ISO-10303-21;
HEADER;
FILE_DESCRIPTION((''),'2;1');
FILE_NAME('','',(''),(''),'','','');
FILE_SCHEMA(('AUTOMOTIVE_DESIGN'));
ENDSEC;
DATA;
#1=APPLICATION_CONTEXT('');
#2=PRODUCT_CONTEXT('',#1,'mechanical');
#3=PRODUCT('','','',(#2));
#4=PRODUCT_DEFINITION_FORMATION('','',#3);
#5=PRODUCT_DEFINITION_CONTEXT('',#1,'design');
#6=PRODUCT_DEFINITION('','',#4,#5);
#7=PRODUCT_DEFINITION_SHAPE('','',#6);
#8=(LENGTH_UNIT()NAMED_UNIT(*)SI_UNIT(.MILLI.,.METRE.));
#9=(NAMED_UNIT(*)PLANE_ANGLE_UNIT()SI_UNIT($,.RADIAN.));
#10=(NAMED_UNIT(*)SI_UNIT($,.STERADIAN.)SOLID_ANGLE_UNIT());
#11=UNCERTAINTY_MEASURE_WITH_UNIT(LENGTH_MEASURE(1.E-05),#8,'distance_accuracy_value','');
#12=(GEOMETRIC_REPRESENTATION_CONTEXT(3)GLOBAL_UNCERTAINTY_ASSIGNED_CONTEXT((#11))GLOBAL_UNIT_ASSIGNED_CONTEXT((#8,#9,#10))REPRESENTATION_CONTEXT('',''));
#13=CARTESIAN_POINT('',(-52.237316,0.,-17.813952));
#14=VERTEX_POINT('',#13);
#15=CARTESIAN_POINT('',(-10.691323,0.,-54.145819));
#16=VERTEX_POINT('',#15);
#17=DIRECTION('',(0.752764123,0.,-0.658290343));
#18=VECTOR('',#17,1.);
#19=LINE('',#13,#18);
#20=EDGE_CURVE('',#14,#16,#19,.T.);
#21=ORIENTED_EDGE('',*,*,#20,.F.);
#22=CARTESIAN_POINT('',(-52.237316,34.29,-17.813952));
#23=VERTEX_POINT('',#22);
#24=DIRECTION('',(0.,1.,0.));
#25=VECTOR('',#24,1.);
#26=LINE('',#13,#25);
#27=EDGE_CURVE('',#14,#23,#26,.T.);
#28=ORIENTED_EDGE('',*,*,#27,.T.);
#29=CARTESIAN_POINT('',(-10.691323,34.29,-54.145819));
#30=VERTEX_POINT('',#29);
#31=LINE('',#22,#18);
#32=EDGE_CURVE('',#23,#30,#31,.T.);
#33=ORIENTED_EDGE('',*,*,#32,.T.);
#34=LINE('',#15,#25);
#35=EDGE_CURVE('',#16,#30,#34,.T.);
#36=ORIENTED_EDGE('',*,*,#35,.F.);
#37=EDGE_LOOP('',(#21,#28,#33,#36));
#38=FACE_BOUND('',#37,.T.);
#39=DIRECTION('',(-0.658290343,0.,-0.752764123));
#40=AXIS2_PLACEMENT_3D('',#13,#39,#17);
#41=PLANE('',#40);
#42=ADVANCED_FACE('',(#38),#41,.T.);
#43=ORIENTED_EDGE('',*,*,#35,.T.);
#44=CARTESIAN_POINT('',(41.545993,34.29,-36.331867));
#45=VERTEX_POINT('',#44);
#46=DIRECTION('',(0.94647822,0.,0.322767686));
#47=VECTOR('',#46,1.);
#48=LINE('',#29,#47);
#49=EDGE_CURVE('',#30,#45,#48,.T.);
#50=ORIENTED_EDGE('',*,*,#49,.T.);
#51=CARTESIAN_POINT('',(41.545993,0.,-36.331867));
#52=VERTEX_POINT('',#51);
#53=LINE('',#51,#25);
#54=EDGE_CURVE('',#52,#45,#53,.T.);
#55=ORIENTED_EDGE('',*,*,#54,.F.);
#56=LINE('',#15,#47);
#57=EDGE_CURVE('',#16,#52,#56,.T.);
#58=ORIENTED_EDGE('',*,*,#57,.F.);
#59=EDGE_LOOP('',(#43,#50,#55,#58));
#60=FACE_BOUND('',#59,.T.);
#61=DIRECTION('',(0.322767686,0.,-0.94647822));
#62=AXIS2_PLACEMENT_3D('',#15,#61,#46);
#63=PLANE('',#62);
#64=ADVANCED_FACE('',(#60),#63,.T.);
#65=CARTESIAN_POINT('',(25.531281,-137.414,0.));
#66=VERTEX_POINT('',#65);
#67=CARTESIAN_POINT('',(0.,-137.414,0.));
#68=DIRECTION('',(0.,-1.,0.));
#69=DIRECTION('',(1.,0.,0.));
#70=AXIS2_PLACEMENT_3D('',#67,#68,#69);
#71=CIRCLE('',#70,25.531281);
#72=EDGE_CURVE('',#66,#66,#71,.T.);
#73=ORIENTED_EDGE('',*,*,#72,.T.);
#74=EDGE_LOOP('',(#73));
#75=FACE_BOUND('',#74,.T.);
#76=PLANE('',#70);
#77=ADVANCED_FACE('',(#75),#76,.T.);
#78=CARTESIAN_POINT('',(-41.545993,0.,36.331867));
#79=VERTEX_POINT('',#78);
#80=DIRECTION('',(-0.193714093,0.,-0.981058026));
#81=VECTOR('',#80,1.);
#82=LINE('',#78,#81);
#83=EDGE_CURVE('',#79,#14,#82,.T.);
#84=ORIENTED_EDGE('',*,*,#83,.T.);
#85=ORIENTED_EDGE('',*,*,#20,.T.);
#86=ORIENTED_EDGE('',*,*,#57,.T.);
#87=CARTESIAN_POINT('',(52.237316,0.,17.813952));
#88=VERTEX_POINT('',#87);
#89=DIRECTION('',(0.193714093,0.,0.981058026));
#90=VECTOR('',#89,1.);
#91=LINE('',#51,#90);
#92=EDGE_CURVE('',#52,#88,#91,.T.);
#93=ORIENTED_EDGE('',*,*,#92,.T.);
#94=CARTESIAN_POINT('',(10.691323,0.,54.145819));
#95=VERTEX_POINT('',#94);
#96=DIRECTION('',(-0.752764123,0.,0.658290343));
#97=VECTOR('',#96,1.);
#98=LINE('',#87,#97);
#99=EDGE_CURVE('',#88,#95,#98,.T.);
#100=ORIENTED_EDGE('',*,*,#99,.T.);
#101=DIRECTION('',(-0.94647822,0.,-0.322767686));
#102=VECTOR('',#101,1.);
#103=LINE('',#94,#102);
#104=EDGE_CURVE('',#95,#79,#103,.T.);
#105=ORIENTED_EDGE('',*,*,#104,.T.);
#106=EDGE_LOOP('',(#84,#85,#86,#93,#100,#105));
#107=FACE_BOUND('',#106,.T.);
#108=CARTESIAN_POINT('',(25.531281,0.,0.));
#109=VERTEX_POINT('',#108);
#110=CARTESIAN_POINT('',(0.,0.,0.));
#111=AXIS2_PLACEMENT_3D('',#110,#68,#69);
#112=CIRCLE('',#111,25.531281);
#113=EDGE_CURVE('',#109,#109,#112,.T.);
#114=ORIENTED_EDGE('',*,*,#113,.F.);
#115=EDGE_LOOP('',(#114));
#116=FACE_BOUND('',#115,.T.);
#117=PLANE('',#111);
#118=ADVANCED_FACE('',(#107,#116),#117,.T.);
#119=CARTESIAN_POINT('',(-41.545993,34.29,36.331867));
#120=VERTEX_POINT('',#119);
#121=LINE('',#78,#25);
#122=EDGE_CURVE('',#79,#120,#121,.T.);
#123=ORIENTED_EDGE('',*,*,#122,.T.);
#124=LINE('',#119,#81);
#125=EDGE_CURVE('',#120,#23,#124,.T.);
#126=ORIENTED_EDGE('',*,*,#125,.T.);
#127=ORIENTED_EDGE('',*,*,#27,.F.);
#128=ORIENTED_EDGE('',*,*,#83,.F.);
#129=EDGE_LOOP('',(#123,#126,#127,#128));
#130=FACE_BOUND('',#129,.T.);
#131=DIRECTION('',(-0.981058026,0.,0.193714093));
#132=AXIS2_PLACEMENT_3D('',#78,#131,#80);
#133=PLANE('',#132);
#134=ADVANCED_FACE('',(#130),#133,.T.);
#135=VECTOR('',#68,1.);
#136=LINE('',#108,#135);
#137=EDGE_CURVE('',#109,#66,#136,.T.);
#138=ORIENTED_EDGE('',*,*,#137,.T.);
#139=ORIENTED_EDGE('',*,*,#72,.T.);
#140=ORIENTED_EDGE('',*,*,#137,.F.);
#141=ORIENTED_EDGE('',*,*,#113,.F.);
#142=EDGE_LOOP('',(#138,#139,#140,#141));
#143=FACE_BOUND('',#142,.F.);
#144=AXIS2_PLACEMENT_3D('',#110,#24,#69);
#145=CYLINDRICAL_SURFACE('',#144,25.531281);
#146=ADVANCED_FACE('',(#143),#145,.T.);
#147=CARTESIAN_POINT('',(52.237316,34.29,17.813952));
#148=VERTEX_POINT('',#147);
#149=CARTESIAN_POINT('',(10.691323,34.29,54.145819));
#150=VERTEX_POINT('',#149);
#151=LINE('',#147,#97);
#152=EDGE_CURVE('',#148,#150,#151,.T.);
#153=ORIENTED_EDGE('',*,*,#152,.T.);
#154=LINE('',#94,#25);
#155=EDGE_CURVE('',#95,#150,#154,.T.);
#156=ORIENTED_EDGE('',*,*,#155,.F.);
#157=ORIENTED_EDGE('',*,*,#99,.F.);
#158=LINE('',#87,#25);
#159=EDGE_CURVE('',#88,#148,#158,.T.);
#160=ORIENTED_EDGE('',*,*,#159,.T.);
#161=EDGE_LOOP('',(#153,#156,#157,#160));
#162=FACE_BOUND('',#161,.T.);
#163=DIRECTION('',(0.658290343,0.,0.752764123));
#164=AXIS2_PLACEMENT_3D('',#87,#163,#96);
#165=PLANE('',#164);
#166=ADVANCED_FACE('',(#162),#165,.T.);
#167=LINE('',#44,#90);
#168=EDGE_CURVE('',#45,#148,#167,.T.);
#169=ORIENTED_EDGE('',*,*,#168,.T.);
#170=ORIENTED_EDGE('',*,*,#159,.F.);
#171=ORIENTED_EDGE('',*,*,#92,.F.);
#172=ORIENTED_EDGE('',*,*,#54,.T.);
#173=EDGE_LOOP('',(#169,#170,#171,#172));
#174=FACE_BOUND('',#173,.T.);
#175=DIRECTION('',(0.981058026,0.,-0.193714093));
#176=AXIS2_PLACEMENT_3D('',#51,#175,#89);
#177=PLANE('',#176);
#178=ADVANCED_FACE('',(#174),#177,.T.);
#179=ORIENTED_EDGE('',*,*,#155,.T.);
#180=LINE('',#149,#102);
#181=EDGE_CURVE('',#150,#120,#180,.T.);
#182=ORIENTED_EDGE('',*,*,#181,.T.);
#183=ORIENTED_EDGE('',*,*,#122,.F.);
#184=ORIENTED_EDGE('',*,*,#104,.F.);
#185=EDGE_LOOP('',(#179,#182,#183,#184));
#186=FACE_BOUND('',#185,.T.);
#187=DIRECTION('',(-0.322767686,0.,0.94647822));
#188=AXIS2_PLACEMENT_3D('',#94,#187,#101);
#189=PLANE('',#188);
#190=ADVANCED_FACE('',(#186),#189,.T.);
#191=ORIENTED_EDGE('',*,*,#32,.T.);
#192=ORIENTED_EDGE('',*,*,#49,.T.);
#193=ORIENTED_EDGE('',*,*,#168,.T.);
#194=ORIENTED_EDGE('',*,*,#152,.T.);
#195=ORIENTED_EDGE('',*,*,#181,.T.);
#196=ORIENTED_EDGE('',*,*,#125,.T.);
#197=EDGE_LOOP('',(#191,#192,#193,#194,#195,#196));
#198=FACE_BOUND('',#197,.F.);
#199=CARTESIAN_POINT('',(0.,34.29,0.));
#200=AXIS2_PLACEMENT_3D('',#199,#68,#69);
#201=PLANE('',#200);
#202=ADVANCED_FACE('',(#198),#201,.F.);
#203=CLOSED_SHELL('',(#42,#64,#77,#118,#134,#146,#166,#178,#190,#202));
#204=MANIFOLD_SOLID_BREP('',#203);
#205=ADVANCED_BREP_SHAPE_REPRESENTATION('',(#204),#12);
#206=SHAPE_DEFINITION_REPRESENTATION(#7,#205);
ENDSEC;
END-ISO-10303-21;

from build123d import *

# Parameters (mm, degrees)
F1_DEPTH = 34.29
F2_R     = 25.531281
F3_DEPTH = 137.414
F4_R     = 11.71201
F5_DEPTH = 168.402


with BuildPart() as f1:
    # F0 (on Front) → F1 (new body)
    with BuildSketch(Plane.XZ):
        Polygon((52.237316, 17.813952), (10.691323, 54.145819), (-41.545993, 36.331867), (-52.237316, -17.813952), (-10.691323, -54.145819), (41.545993, -36.331867), align=None)
    extrude(amount=-F1_DEPTH)

    # F2 (on face) → F3 (join)
    with BuildSketch(Plane.XZ):
        Circle(F2_R)
    extrude(amount=F3_DEPTH)

    # F4 (on face) → F5 (join)
    with BuildSketch(Plane.XZ.offset(137.414)):
        Circle(F4_R)
    extrude(amount=-F5_DEPTH)


solid = f1.part
